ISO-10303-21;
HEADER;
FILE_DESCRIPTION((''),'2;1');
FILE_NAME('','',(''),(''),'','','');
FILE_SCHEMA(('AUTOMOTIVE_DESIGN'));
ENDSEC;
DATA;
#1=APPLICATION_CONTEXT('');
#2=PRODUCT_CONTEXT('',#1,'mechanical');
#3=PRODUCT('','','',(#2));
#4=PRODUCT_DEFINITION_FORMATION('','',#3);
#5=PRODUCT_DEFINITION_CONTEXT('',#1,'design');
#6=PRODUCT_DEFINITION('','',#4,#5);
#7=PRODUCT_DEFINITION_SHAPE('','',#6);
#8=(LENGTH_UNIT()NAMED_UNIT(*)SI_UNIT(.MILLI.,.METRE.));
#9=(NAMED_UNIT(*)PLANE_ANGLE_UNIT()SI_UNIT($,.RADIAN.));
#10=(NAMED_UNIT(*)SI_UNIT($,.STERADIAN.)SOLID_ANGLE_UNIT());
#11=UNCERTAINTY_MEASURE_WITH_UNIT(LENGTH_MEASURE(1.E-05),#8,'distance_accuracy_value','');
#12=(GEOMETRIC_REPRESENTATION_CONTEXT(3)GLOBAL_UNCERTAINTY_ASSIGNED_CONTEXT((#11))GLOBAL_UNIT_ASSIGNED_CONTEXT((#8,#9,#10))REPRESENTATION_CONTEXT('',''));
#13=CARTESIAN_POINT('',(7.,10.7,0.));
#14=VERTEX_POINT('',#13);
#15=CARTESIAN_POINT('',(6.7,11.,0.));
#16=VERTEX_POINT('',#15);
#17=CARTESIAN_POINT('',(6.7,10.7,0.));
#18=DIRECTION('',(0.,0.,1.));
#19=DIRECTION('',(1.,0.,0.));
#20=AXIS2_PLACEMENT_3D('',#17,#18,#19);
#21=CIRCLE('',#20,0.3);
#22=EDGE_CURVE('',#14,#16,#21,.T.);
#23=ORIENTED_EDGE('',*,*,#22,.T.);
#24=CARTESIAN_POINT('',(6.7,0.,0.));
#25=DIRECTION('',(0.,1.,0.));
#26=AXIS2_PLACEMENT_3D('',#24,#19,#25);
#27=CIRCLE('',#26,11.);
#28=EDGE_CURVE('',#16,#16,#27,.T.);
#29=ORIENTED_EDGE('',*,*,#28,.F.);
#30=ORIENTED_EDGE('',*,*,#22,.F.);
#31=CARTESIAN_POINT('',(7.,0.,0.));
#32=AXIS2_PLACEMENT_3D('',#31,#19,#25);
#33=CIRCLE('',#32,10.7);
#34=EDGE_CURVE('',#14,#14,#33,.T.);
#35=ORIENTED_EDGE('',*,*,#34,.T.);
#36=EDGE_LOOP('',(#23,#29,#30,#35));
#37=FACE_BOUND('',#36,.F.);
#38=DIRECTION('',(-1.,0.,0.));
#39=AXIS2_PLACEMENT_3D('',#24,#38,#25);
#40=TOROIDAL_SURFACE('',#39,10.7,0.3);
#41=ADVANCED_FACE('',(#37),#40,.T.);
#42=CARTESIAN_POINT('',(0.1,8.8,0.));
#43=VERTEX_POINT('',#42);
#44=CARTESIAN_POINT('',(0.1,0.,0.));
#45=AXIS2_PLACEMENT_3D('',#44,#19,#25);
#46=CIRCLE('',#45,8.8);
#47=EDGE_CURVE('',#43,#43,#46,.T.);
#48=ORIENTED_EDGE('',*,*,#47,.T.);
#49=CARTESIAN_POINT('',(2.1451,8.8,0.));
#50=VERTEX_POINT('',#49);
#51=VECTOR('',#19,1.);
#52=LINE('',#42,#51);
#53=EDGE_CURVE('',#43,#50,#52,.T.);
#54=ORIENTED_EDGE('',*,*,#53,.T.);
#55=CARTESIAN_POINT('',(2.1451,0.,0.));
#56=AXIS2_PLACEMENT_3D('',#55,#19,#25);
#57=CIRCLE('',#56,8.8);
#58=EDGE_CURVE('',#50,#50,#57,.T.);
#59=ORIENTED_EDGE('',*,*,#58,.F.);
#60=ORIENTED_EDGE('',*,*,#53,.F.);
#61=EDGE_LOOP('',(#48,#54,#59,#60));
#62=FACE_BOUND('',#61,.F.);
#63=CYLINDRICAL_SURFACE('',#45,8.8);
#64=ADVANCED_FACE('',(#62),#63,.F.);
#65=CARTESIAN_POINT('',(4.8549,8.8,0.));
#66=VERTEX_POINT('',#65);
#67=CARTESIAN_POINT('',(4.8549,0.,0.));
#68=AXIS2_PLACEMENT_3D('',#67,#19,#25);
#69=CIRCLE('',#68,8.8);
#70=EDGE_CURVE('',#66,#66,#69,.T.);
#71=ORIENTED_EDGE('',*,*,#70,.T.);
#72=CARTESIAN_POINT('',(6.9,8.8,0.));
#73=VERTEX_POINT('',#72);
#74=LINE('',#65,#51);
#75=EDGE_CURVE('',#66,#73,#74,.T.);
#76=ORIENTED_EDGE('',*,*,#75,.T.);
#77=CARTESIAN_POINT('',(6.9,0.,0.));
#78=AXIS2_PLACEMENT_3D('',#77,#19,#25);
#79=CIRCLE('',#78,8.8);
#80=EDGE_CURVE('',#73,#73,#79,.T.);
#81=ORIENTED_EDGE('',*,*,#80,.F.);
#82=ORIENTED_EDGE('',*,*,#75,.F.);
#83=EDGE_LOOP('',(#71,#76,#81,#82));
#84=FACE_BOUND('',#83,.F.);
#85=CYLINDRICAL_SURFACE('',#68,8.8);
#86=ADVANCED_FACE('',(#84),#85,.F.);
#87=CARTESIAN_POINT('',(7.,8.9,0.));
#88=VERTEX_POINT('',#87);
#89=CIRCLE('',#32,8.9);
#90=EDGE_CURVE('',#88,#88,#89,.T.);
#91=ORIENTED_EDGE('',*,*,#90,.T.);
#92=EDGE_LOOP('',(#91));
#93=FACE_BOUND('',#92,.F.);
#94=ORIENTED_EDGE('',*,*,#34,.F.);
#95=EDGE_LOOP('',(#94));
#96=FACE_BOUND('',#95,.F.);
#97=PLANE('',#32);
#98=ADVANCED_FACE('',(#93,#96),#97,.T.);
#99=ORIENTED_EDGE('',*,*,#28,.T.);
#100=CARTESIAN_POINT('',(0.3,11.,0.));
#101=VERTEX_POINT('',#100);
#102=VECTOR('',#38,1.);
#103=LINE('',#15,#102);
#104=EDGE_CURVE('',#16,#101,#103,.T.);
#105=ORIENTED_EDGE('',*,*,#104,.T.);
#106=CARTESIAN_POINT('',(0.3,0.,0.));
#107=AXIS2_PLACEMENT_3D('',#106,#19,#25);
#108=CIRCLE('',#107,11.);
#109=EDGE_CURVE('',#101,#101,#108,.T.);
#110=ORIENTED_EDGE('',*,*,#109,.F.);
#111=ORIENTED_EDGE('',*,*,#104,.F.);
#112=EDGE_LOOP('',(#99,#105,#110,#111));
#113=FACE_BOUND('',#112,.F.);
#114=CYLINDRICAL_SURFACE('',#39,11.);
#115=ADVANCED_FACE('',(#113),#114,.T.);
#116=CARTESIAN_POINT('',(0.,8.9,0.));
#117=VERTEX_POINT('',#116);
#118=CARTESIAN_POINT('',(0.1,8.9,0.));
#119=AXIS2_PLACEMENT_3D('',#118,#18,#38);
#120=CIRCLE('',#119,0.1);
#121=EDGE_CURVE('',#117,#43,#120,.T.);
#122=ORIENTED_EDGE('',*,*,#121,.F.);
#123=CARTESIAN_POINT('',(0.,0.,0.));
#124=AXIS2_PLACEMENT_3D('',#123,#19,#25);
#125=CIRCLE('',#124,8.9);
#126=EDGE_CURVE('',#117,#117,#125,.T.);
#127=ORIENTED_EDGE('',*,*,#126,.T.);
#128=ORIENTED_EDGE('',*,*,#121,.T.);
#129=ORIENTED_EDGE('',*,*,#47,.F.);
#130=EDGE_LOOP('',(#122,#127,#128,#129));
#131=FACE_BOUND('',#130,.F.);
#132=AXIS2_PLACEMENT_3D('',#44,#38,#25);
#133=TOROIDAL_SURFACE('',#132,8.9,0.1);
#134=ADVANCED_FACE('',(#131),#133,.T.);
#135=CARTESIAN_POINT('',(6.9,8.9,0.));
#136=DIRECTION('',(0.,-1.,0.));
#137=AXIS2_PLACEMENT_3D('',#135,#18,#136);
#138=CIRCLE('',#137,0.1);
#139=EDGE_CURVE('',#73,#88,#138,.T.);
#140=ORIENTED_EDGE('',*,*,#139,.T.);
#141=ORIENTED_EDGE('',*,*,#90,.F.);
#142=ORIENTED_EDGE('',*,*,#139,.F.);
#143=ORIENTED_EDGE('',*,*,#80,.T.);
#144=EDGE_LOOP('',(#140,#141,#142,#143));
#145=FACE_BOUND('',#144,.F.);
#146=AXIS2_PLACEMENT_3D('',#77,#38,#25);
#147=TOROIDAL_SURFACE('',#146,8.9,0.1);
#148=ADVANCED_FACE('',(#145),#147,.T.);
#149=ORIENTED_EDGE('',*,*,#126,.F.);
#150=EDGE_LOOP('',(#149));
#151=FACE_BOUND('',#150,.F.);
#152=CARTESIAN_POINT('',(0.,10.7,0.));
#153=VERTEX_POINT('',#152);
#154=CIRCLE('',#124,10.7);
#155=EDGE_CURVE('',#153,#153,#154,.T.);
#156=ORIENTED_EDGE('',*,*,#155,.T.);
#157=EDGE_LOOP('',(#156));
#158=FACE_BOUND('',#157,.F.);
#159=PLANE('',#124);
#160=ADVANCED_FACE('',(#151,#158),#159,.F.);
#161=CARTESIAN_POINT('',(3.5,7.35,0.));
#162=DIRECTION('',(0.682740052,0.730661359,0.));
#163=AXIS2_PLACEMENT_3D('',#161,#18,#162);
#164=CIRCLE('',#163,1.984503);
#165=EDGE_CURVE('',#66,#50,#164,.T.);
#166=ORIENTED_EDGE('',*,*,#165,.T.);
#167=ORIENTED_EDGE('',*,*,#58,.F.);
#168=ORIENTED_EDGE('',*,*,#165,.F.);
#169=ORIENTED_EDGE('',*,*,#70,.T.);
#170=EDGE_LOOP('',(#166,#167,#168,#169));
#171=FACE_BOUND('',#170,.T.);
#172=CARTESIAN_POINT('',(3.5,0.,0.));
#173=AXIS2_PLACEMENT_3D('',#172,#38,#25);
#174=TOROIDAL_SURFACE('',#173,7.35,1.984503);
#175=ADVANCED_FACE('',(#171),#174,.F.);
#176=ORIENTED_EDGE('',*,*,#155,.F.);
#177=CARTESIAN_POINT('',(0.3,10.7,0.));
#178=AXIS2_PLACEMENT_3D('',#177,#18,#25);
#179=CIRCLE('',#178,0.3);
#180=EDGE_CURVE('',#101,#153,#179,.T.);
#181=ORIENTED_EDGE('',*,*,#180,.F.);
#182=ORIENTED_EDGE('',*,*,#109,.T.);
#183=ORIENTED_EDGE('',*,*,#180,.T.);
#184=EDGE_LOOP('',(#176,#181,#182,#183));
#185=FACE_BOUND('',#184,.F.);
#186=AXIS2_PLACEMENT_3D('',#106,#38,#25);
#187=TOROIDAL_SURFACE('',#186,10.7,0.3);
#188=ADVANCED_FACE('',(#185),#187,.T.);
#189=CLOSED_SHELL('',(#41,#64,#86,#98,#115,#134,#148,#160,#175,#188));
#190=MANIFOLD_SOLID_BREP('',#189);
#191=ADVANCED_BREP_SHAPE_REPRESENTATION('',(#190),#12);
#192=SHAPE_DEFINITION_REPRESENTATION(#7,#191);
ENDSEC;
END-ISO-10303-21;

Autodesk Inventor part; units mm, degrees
ref_plane "YZ Plane" through (0, 0, 0) normal (1, 0, 0) x (0, 1, 0)
ref_plane "XZ Plane" through (0, 0, 0) normal (0, 1, 0) x (-1, 0, 0)
ref_plane "XY Plane" through (0, 0, 0) normal (0, 0, 1) x (1, 0, 0)
sketch "Sketch_1" plane through (0, 0, 0) normal (0, 0, 1) x (1, 0, 0)
  line L0 (50, 0) -> (-50, 0)
  line L1 (0, 10.7) -> (0, 8.9)
  arc A0 (0, 8.9) -> (0.1, 8.8) centre (0.1, 8.9) ccw
  line L2 (0.1, 8.8) -> (2.1451, 8.8)
  arc A1 (4.8549, 8.8) -> (2.1451, 8.8) centre (3.5, 7.35) ccw
  line L3 (4.8549, 8.8) -> (6.9, 8.8)
  arc A2 (6.9, 8.8) -> (7, 8.9) centre (6.9, 8.9) ccw
  line L4 (7, 8.9) -> (7, 10.7)
  arc A3 (7, 10.7) -> (6.7, 11) centre (6.7, 10.7) ccw
  line L5 (6.7, 11) -> (0.3, 11)
  arc A4 (0.3, 11) -> (0, 10.7) centre (0.3, 10.7) ccw
revolve "Revolution1" add sketch "Sketch_1" angle 360 about axis through (50, 0, 0) along (1, 0, 0)
properties part number "SKF_608_PART2" material "Stahl"
